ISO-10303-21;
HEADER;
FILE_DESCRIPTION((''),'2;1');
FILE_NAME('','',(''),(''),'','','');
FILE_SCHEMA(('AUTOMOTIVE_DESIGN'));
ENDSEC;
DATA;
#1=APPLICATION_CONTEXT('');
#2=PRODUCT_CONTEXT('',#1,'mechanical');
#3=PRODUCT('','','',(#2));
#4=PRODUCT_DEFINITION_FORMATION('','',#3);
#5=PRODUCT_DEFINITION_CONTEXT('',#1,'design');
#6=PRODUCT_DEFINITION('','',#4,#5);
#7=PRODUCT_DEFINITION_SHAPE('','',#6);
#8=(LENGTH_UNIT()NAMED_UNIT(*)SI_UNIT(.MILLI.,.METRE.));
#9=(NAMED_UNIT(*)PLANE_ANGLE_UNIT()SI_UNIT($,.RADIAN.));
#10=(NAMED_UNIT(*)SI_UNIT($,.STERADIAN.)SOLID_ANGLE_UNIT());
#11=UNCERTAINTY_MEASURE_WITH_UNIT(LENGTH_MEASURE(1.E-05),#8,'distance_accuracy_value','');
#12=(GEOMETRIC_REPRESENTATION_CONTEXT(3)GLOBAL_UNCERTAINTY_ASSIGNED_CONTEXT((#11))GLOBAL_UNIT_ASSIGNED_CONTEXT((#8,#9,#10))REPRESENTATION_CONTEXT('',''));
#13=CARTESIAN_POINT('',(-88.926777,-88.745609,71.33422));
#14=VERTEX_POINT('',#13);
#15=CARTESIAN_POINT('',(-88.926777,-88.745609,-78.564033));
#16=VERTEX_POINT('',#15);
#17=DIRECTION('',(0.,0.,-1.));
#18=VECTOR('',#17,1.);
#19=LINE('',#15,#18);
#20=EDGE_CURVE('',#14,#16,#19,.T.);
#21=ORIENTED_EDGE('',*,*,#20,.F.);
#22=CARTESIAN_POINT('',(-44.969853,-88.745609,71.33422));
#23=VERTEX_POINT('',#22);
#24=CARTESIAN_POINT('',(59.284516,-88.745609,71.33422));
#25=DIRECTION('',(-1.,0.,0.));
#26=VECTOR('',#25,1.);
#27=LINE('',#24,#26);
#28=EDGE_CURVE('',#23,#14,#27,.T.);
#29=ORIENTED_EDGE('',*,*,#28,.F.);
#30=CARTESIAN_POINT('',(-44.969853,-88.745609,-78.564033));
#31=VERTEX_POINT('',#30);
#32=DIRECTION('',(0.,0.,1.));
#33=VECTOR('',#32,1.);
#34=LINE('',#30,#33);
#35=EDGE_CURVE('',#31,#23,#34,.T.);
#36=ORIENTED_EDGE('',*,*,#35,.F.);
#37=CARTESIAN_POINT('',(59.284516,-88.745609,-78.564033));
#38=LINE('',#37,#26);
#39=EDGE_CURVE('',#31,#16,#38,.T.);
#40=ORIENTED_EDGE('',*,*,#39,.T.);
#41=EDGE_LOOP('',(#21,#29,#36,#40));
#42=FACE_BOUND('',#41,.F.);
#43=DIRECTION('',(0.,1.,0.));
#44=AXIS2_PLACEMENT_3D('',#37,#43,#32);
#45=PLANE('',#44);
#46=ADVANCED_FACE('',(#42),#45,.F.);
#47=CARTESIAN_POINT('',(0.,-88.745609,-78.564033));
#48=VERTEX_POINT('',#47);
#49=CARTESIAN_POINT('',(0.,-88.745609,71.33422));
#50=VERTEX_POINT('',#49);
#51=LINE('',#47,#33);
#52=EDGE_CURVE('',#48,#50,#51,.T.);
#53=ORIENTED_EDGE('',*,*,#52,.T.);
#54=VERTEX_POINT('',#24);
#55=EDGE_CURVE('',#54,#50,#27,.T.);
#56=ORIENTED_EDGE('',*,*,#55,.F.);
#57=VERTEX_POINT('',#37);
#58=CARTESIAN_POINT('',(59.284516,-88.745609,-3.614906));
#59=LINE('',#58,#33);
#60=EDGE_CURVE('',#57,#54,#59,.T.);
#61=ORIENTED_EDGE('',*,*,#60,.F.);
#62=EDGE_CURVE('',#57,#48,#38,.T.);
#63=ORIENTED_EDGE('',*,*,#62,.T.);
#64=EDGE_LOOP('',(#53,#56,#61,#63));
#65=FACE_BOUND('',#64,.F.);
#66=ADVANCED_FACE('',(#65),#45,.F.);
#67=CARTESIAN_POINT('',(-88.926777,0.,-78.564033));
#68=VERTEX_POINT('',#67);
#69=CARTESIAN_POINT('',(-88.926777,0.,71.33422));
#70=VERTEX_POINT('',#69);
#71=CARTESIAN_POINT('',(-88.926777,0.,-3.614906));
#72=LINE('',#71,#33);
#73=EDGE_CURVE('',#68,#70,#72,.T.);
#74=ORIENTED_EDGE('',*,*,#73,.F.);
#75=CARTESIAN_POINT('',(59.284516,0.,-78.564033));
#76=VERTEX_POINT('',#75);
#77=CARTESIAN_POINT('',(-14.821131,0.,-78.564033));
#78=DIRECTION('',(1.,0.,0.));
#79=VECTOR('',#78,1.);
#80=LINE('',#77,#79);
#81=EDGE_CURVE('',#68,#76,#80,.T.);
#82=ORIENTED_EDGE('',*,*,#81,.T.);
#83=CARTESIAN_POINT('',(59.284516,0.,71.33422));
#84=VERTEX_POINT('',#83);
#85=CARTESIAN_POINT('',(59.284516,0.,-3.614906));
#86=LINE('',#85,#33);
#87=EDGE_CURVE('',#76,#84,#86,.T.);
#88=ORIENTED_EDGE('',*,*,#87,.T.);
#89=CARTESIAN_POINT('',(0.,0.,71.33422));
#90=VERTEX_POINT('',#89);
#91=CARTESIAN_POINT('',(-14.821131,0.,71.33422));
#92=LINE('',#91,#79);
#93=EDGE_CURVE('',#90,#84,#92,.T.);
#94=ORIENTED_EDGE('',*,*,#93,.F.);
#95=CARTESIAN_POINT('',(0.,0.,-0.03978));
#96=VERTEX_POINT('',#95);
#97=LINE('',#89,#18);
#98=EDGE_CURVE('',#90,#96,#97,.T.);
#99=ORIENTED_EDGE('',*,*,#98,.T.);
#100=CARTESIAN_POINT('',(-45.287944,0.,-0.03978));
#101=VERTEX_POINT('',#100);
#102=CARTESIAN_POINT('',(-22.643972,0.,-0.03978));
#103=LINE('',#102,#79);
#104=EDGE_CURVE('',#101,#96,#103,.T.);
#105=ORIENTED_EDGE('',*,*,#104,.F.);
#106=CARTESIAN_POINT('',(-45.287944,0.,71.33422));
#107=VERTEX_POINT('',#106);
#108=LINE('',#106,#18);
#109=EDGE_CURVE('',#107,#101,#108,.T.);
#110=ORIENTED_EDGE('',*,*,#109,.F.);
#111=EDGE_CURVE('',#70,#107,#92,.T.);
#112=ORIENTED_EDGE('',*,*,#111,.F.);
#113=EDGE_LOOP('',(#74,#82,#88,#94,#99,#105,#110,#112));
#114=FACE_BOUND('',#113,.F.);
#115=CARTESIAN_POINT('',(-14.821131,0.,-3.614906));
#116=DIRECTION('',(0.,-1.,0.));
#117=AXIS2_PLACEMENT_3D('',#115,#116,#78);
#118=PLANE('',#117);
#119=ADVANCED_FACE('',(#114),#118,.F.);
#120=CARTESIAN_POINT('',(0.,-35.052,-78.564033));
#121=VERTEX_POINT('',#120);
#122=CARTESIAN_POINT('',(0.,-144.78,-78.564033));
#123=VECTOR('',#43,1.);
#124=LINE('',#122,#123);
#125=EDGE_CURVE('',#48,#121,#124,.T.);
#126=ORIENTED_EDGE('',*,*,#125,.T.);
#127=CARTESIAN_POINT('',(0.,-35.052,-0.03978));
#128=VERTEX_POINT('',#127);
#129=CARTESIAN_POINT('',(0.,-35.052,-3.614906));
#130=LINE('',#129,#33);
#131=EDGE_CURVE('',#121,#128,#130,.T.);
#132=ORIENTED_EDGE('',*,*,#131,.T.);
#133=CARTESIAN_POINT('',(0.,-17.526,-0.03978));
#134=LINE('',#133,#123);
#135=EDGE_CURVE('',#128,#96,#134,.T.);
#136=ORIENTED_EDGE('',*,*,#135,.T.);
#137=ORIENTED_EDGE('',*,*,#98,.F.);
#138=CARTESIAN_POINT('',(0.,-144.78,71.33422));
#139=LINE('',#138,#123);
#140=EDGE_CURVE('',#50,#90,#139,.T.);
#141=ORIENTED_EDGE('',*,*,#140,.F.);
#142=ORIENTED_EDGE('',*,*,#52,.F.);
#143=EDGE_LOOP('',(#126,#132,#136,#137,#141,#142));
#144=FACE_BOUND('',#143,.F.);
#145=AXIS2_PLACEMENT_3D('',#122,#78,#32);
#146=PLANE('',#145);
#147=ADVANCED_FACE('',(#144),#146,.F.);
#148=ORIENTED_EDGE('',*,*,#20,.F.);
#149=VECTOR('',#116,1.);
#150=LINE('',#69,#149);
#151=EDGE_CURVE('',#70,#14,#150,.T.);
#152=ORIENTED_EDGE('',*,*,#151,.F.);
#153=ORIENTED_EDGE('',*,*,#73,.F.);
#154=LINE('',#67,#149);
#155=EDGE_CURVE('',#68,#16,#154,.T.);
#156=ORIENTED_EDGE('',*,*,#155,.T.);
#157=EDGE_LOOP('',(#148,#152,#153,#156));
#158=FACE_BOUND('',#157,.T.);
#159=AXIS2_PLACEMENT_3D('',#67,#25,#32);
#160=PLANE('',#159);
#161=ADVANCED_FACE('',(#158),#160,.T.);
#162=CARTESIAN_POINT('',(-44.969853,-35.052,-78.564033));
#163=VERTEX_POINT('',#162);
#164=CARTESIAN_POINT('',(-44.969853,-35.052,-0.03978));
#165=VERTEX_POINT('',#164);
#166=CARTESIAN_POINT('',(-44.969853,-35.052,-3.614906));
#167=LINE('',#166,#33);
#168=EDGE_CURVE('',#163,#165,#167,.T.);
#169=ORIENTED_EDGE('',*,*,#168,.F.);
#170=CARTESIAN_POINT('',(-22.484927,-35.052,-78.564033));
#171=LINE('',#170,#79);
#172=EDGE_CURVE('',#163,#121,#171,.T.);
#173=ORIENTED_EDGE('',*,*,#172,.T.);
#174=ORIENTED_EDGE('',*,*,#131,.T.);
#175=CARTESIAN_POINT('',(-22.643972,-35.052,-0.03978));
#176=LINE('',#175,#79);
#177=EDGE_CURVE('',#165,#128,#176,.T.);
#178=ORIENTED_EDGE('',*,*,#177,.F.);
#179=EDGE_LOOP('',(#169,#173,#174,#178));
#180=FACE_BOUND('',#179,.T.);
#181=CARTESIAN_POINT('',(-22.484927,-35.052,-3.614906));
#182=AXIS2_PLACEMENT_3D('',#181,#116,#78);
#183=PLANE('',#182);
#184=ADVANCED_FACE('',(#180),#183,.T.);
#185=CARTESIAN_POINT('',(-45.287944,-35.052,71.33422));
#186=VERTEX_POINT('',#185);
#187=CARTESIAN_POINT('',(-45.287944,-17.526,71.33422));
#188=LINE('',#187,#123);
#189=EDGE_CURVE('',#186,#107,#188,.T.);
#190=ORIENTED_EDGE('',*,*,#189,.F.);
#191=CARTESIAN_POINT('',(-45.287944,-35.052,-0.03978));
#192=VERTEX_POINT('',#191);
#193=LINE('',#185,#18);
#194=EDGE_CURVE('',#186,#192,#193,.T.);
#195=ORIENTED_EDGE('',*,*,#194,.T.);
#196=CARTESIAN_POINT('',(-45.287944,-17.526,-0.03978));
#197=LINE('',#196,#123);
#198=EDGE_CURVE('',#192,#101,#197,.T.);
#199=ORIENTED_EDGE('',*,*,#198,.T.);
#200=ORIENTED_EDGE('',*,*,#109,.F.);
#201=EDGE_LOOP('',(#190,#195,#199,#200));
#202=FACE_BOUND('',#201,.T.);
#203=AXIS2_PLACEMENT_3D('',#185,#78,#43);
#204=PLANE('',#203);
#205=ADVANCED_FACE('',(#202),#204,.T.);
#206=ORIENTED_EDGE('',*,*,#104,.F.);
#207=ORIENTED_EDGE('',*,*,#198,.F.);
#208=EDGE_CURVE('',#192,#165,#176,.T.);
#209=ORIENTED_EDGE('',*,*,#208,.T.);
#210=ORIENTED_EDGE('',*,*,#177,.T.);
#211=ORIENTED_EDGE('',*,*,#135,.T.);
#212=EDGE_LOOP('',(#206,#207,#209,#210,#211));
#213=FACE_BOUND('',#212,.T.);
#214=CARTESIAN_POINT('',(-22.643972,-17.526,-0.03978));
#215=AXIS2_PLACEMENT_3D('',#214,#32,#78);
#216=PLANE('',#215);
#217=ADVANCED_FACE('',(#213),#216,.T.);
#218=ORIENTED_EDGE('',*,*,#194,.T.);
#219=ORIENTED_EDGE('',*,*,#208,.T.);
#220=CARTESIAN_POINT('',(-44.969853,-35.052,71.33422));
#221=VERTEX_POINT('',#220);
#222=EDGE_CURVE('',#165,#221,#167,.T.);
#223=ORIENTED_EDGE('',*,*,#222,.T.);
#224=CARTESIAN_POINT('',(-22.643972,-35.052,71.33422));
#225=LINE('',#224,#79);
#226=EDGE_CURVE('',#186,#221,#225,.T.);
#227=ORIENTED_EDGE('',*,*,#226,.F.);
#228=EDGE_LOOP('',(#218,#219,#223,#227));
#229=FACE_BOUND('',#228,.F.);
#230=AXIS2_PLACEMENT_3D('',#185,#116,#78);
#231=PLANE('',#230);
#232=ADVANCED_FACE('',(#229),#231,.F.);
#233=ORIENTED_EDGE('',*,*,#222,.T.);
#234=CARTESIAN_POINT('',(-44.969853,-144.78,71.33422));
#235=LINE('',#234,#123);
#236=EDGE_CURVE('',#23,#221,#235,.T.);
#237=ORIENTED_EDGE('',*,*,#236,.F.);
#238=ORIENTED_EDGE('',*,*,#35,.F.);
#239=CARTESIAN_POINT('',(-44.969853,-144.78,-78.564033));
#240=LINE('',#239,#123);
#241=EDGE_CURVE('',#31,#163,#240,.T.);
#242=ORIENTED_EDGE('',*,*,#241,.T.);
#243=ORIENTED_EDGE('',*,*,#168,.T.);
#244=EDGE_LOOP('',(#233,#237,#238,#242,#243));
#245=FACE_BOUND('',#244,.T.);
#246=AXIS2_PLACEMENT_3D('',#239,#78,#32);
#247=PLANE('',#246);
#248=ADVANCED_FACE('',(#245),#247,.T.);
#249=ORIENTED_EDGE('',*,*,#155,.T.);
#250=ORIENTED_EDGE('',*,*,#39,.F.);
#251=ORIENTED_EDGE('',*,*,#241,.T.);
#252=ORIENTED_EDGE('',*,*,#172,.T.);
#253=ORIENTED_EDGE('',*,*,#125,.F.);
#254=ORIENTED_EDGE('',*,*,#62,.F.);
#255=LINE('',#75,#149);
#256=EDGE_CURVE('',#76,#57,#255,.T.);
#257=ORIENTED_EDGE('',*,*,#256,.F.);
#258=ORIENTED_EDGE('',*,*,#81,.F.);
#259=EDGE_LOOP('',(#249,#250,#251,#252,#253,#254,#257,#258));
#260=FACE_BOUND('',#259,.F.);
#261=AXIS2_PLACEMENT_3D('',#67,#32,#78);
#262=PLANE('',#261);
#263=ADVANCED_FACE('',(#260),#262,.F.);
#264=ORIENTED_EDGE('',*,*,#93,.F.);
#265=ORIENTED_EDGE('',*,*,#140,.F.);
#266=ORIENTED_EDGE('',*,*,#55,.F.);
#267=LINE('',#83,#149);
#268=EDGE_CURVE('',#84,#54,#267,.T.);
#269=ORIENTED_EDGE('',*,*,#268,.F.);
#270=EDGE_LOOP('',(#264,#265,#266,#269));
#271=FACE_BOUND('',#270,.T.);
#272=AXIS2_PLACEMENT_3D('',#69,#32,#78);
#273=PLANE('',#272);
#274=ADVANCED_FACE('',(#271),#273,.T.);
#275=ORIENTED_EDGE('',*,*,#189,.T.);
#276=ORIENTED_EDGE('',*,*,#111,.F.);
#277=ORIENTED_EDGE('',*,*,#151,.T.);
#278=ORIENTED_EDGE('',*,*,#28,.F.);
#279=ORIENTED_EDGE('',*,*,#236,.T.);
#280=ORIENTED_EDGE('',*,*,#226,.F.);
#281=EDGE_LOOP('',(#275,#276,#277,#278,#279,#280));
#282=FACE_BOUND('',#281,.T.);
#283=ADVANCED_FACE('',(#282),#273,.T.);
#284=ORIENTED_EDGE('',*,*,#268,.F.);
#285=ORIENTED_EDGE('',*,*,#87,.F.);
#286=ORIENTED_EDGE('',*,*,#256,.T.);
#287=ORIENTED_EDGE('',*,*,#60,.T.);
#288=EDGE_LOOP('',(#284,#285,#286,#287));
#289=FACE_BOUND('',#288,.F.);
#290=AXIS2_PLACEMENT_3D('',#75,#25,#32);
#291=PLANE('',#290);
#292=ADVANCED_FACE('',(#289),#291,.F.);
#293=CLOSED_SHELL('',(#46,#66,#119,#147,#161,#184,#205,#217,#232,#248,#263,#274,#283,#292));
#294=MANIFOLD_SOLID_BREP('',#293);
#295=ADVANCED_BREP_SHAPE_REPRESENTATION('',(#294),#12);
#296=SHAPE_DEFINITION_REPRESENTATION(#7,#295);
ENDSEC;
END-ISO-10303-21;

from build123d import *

# Parameters (mm, degrees)
F0_W     = 148.2112929225
F0_H     = 149.8982533813
F1_DEPTH = 144.78
F2_W     = 44.9698530138
F2_H     = 149.8982533813
F3_DEPTH = 109.728
F4_W     = 45.2879443765
F4_H     = 35.052
F5_DEPTH = 71.374
F6_W     = 56.0343910742
F6_H     = 149.8982533813
F7_DEPTH = 158.75


with BuildPart() as f1:
    # F0 (on Front) → F1 (new body)
    with BuildSketch(Plane.XZ):
        with Locations((-14.8211307824, -3.6149062216)):
            Rectangle(F0_W, F0_H)
    extrude(amount=F1_DEPTH)

    # F2 (on face) → F3 (cut)
    with BuildSketch(Plane.XZ.offset(144.78)):
        with Locations((-22.4849265069, -3.6149062216)):
            Rectangle(F2_W, F2_H)
    extrude(amount=-F3_DEPTH, mode=Mode.SUBTRACT)

    # F4 (on face) → F5 (cut)
    with BuildSketch(Plane.XY.offset(71.334220469)):
        with Locations((-22.6439721882, -17.526)):
            Rectangle(F4_W, F4_H)
    extrude(amount=-F5_DEPTH, mode=Mode.SUBTRACT)

    # F6 (on face) → F7 (cut)
    with BuildSketch(Plane.YZ.offset(59.2845156789)):
        with Locations((-116.7628044629, -3.6149062216)):
            Rectangle(F6_W, F6_H)
    extrude(amount=-F7_DEPTH, mode=Mode.SUBTRACT)


solid = f1.part
